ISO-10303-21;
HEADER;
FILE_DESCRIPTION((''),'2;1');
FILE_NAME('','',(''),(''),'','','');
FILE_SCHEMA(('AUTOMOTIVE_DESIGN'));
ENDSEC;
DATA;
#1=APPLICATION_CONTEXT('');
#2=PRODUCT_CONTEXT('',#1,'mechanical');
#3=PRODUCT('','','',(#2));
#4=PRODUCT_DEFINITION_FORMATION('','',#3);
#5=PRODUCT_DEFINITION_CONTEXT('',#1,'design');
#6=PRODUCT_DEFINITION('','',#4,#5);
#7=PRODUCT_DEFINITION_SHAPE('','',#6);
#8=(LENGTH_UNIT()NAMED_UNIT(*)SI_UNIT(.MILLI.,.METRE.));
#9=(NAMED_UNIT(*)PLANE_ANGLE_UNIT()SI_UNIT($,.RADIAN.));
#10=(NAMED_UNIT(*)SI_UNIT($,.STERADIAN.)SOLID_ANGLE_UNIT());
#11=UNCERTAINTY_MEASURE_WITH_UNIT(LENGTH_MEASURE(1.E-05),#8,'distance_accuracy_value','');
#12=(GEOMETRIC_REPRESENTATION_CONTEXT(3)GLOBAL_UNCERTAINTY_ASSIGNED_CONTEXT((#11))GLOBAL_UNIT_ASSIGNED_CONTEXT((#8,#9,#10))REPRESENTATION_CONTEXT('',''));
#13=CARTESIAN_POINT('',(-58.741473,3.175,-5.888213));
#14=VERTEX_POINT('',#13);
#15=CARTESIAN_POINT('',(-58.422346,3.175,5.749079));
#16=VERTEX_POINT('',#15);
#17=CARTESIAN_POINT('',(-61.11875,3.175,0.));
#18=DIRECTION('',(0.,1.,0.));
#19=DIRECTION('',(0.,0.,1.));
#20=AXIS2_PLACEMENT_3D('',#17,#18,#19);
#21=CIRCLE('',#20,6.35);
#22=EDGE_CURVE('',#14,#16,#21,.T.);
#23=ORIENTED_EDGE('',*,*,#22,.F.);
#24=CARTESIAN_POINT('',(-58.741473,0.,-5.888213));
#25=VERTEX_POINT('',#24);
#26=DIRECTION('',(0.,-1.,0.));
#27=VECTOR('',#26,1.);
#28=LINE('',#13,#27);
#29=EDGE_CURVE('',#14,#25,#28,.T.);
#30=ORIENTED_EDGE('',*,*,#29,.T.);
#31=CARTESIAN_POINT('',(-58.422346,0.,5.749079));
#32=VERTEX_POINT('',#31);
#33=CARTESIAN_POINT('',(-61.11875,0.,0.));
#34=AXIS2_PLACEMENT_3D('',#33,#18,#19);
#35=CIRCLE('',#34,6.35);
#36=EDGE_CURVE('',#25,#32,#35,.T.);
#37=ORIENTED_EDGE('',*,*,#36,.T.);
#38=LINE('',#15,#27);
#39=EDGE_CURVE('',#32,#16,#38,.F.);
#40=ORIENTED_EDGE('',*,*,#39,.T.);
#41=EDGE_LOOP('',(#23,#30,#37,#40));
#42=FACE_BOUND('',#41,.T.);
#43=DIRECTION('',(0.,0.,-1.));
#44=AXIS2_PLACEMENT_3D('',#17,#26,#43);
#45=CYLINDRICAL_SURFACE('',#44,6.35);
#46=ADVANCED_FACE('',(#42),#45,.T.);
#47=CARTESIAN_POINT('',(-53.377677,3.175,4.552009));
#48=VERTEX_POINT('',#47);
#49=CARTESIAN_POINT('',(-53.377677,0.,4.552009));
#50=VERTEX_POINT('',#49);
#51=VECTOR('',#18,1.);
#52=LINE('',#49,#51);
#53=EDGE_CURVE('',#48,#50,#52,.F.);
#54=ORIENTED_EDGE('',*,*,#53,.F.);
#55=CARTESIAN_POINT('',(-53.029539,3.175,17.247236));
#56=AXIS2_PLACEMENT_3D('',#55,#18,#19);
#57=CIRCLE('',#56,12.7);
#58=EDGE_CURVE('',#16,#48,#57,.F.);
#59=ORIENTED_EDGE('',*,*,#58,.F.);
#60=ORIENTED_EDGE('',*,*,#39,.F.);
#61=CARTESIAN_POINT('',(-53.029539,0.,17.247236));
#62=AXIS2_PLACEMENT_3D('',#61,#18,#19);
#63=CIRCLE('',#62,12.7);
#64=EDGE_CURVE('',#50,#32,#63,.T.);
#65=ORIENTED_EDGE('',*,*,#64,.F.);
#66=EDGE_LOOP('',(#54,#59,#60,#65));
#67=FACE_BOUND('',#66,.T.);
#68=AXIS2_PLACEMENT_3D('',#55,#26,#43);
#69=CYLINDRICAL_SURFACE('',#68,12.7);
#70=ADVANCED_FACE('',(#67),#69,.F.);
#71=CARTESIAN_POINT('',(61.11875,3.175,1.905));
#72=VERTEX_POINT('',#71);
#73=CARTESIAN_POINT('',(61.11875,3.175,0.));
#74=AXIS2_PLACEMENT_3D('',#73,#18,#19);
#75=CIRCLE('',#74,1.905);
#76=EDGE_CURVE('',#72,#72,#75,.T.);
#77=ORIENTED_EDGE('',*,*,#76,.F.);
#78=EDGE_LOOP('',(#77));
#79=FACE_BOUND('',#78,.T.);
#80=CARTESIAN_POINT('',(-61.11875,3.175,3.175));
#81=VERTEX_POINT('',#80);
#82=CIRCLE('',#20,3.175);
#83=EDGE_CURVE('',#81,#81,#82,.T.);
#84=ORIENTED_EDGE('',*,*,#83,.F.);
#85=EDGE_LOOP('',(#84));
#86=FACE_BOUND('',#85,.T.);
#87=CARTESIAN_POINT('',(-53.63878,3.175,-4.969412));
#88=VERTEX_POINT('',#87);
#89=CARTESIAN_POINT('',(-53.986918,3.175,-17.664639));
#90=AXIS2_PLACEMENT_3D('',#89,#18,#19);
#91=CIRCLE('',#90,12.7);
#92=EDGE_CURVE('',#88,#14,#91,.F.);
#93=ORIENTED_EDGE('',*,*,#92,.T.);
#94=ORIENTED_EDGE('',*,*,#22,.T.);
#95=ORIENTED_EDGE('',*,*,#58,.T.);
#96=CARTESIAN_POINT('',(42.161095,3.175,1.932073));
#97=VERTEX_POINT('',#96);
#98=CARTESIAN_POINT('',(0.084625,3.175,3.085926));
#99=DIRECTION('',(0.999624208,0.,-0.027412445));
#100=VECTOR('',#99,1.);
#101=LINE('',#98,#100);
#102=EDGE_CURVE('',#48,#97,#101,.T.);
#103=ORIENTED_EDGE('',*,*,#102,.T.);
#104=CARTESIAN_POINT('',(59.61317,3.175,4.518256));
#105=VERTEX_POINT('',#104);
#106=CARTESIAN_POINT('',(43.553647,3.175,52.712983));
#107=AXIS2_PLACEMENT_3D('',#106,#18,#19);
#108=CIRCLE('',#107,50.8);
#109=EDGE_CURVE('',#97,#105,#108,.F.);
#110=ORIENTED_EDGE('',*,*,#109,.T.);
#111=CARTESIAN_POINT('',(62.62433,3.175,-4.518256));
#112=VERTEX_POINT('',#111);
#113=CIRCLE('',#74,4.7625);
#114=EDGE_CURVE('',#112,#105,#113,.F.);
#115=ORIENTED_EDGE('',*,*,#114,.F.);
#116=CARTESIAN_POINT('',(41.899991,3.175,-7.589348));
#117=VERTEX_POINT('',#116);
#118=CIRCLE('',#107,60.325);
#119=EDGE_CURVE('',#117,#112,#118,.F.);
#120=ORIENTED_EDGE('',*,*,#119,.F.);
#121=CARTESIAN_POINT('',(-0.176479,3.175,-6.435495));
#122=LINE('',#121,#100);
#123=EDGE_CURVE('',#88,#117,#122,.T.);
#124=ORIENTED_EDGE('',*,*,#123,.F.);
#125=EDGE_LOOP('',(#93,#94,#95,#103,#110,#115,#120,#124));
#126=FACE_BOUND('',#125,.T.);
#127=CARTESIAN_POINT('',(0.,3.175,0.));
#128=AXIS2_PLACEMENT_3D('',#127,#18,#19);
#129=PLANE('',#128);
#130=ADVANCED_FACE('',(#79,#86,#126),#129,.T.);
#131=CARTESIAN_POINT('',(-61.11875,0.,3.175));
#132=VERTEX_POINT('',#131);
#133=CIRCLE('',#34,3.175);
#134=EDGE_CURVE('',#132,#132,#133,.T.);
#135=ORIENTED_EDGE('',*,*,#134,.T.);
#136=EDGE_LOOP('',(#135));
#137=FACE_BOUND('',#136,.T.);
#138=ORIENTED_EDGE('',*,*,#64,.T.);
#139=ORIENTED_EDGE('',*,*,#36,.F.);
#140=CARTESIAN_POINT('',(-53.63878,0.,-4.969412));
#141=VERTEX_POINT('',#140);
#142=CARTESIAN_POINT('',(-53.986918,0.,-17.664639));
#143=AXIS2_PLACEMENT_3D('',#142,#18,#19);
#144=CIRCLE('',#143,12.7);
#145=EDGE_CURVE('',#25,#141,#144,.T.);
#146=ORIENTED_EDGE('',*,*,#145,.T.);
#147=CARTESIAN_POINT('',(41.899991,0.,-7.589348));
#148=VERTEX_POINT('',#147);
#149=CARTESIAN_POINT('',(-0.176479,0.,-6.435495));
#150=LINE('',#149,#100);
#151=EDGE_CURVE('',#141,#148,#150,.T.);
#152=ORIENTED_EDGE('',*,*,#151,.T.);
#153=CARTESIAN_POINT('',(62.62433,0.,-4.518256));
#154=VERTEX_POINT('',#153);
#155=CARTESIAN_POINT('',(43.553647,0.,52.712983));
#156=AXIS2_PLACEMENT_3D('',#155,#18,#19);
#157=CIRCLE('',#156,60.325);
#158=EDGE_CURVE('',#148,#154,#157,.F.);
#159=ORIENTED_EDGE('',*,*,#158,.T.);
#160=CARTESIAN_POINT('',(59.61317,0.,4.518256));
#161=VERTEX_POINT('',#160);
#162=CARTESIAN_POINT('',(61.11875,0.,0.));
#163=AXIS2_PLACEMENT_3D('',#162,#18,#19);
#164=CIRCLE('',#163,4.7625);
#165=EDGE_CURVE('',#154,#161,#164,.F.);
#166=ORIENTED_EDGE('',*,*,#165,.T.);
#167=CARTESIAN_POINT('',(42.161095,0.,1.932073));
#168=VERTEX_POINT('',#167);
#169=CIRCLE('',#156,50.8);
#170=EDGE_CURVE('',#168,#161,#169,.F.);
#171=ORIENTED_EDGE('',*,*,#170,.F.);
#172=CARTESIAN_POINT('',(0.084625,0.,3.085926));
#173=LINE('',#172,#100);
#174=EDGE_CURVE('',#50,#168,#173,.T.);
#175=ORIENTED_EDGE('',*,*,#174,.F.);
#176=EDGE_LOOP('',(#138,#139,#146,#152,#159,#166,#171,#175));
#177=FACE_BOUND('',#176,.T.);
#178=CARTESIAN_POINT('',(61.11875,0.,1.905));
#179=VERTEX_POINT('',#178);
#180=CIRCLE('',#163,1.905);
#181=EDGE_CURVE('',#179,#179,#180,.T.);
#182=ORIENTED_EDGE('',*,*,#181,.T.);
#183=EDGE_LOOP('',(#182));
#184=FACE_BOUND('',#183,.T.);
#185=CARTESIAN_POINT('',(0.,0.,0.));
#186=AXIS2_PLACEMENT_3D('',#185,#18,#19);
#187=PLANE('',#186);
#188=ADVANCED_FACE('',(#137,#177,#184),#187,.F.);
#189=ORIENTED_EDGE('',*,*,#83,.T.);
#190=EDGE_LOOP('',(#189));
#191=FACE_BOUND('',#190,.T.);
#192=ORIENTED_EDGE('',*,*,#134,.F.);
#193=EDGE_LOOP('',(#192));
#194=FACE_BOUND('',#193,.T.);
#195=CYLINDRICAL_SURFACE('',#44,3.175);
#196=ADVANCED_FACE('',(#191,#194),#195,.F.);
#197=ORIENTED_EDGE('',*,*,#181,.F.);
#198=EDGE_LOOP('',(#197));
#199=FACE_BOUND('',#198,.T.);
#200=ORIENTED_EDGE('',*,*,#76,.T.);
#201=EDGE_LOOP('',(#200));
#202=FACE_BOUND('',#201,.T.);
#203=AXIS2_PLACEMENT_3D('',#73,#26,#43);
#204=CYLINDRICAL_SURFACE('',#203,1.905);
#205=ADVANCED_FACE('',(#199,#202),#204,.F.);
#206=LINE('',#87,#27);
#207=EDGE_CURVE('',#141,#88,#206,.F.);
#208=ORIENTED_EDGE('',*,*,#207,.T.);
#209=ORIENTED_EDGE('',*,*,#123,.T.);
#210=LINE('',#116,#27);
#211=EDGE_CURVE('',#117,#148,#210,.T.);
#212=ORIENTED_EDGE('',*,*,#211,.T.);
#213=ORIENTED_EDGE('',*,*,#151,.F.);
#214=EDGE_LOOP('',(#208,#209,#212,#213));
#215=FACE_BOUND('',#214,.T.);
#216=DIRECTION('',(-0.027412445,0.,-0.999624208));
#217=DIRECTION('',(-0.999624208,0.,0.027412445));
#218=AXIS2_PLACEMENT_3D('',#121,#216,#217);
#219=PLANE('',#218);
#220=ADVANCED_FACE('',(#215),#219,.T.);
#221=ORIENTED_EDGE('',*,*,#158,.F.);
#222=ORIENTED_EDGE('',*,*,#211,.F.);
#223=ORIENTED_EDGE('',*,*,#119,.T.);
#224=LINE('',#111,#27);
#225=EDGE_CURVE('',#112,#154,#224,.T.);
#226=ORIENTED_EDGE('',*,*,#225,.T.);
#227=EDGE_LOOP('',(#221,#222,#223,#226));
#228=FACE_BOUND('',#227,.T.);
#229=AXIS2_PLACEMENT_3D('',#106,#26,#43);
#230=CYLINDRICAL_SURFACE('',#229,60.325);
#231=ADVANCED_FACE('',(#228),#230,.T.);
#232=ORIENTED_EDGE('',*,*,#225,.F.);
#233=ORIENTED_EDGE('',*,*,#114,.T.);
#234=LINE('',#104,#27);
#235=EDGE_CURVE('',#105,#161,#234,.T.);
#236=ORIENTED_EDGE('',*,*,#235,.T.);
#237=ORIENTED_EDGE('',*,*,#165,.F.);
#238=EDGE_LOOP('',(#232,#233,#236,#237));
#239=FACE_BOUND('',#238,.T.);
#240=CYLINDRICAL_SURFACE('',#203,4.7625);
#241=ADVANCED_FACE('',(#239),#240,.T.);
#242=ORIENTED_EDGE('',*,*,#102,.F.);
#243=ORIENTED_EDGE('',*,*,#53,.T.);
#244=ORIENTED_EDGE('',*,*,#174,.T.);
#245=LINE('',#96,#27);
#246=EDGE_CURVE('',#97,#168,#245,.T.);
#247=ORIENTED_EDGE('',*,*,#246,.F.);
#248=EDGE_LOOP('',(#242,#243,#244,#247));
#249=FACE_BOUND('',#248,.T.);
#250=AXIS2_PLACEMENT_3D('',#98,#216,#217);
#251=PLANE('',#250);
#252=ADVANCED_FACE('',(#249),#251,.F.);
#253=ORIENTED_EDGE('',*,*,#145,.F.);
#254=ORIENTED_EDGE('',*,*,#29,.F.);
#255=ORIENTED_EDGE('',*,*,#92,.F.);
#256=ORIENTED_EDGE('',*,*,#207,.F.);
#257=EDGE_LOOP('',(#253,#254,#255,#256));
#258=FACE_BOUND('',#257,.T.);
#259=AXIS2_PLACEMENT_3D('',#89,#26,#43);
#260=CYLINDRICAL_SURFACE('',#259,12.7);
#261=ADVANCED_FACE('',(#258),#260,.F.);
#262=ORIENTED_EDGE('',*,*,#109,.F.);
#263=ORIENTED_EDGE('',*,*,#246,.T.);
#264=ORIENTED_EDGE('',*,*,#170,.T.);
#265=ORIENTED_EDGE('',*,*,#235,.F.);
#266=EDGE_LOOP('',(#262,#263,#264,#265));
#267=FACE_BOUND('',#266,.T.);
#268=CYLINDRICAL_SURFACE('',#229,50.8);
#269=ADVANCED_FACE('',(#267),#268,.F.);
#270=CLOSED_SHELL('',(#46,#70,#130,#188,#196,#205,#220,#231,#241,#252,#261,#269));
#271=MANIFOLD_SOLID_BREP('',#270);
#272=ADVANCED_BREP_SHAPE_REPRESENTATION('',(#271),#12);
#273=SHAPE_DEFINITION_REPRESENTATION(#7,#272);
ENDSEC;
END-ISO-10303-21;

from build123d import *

# Parameters (mm, degrees)
SKETCH1_R           = 3.175
SKETCH1_R_2         = 1.905
BOSS_EXTRUDE1_DEPTH = 3.175
FILLET1_R           = 12.7


with BuildPart() as part:
    # Sketch1 → Boss-Extrude1 (new body)
    with BuildSketch(Plane(origin=(0, 0, 0), x_dir=(1, 0, 0), z_dir=(0, 1, 0))):
        with BuildLine():
            ThreePointArc((-57.050749937, 4.875846131), (-67.466363723, -0.174069026), (-56.789646398, -4.645574453))
            Line((-56.789646398, -4.645574453), (42.161094502, -1.93207299))
            ThreePointArc((42.161094502, -1.93207299), (51.000262943, -2.46173496), (59.613169718, -4.518255666))
            ThreePointArc((59.613169718, -4.518255666), (65.637005666, -1.505580282), (62.624330282, 4.518255666))
            ThreePointArc((62.624330282, 4.518255666), (52.396503486, 6.960374005), (41.899990962, 7.589347594))
            Line((41.899990962, 7.589347594), (-57.050749937, 4.875846131))
        make_face()
        with Locations((-61.11875, 0)):
            Circle(SKETCH1_R, mode=Mode.SUBTRACT)
        with Locations((61.11875, 0)):
            Circle(SKETCH1_R_2, mode=Mode.SUBTRACT)
    extrude(amount=BOSS_EXTRUDE1_DEPTH)

    # Fillet1
    fillet1_edges = [part.edges().sort_by_distance(p)[0] for p in [
        (-56.789646398, 1.5875, 4.645574453),
        (-57.050749937, 1.5875, -4.875846131),
    ]]
    fillet(fillet1_edges, radius=FILLET1_R)


solid = part.part
